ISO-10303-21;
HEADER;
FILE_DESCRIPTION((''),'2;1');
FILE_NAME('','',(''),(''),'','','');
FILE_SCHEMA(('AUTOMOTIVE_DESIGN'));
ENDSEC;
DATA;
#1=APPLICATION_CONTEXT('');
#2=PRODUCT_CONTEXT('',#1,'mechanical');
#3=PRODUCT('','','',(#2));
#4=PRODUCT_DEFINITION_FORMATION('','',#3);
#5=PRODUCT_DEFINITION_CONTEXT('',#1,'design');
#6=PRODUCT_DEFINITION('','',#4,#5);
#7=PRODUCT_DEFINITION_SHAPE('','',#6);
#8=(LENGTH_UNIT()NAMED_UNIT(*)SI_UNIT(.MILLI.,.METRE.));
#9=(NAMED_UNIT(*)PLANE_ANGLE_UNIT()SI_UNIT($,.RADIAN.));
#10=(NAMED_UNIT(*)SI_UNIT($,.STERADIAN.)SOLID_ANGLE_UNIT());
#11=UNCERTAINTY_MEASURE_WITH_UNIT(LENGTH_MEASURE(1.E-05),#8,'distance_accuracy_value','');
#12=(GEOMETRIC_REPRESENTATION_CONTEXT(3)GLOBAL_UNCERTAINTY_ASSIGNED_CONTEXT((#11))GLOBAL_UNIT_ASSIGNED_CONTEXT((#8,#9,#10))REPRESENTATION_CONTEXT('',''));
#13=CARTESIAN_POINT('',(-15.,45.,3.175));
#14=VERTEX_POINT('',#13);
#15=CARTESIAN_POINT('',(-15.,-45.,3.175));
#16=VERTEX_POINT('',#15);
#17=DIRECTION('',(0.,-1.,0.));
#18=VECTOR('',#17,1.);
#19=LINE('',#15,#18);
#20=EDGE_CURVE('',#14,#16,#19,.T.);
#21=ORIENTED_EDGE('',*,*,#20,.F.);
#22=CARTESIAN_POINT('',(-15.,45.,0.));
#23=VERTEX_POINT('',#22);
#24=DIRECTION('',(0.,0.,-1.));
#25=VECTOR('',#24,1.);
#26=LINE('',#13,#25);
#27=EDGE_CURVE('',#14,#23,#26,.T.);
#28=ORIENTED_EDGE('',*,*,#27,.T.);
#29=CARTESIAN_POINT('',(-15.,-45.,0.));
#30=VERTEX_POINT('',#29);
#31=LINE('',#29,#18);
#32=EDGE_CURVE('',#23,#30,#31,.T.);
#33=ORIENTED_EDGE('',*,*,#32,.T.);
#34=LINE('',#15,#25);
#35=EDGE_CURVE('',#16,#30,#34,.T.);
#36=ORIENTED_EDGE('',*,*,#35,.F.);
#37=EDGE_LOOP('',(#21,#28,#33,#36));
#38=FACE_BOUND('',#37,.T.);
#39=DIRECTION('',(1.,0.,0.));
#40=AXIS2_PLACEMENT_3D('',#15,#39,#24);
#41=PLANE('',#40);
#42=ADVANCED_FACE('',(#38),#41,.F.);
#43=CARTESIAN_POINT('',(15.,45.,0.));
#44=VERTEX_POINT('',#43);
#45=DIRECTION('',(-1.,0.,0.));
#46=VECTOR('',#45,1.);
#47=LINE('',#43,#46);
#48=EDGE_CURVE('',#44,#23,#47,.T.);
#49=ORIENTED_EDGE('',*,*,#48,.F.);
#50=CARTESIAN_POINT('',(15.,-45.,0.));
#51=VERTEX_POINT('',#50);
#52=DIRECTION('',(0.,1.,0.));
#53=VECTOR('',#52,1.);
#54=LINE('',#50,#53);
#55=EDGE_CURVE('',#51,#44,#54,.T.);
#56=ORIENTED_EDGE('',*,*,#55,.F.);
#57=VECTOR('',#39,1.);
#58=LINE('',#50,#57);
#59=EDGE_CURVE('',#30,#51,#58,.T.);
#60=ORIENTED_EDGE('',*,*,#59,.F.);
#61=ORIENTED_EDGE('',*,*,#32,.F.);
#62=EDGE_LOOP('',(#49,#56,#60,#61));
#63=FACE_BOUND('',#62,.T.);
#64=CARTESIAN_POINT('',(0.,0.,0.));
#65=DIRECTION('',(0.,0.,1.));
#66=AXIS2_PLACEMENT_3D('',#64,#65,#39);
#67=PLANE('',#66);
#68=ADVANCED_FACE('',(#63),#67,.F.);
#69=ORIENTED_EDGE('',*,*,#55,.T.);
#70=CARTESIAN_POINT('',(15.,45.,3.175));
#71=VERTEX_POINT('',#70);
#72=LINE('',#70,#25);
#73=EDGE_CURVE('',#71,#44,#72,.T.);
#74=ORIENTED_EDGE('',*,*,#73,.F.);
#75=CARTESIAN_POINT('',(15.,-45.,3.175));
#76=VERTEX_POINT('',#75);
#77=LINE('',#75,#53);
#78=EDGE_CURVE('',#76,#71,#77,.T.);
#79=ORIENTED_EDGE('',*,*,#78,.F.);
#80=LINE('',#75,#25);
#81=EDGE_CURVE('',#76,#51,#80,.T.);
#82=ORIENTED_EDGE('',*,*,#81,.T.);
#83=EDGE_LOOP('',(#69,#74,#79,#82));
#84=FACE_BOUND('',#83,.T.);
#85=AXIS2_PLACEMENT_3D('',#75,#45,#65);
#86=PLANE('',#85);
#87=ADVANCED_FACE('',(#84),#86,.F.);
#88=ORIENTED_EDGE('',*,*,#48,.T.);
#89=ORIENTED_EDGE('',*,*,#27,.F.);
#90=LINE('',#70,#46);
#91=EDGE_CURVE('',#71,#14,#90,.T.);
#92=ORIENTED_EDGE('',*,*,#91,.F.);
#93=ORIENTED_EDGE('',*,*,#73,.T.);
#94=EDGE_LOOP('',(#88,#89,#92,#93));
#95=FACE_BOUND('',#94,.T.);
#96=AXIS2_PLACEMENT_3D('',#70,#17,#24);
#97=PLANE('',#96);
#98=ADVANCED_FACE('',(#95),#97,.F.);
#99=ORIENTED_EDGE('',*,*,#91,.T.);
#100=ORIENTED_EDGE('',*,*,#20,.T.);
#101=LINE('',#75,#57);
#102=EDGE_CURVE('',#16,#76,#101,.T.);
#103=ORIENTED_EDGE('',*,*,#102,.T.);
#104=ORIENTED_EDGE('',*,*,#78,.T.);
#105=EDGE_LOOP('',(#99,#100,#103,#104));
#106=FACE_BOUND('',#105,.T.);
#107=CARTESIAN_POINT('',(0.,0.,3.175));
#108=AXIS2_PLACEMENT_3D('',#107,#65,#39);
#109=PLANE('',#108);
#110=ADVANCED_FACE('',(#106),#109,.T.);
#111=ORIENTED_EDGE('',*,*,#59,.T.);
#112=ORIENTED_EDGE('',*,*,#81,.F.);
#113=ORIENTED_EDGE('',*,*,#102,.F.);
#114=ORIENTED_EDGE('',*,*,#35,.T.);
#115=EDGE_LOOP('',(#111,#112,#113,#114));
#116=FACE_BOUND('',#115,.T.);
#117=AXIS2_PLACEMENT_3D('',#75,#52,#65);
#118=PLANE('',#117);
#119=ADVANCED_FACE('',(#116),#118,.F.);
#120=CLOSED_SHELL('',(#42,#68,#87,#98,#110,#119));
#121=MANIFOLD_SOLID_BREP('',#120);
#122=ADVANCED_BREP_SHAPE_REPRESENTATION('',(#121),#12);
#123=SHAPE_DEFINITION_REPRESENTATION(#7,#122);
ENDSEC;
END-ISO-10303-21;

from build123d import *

# Parameters (mm, degrees)
SKETCH1_W           = 30
SKETCH1_H           = 90
BOSS_EXTRUDE1_DEPTH = 3.175


with BuildPart() as part:
    # Sketch1 → Boss-Extrude1 (new body)
    with BuildSketch(Plane.XY):
        Rectangle(SKETCH1_W, SKETCH1_H)
    extrude(amount=BOSS_EXTRUDE1_DEPTH)


solid = part.part
